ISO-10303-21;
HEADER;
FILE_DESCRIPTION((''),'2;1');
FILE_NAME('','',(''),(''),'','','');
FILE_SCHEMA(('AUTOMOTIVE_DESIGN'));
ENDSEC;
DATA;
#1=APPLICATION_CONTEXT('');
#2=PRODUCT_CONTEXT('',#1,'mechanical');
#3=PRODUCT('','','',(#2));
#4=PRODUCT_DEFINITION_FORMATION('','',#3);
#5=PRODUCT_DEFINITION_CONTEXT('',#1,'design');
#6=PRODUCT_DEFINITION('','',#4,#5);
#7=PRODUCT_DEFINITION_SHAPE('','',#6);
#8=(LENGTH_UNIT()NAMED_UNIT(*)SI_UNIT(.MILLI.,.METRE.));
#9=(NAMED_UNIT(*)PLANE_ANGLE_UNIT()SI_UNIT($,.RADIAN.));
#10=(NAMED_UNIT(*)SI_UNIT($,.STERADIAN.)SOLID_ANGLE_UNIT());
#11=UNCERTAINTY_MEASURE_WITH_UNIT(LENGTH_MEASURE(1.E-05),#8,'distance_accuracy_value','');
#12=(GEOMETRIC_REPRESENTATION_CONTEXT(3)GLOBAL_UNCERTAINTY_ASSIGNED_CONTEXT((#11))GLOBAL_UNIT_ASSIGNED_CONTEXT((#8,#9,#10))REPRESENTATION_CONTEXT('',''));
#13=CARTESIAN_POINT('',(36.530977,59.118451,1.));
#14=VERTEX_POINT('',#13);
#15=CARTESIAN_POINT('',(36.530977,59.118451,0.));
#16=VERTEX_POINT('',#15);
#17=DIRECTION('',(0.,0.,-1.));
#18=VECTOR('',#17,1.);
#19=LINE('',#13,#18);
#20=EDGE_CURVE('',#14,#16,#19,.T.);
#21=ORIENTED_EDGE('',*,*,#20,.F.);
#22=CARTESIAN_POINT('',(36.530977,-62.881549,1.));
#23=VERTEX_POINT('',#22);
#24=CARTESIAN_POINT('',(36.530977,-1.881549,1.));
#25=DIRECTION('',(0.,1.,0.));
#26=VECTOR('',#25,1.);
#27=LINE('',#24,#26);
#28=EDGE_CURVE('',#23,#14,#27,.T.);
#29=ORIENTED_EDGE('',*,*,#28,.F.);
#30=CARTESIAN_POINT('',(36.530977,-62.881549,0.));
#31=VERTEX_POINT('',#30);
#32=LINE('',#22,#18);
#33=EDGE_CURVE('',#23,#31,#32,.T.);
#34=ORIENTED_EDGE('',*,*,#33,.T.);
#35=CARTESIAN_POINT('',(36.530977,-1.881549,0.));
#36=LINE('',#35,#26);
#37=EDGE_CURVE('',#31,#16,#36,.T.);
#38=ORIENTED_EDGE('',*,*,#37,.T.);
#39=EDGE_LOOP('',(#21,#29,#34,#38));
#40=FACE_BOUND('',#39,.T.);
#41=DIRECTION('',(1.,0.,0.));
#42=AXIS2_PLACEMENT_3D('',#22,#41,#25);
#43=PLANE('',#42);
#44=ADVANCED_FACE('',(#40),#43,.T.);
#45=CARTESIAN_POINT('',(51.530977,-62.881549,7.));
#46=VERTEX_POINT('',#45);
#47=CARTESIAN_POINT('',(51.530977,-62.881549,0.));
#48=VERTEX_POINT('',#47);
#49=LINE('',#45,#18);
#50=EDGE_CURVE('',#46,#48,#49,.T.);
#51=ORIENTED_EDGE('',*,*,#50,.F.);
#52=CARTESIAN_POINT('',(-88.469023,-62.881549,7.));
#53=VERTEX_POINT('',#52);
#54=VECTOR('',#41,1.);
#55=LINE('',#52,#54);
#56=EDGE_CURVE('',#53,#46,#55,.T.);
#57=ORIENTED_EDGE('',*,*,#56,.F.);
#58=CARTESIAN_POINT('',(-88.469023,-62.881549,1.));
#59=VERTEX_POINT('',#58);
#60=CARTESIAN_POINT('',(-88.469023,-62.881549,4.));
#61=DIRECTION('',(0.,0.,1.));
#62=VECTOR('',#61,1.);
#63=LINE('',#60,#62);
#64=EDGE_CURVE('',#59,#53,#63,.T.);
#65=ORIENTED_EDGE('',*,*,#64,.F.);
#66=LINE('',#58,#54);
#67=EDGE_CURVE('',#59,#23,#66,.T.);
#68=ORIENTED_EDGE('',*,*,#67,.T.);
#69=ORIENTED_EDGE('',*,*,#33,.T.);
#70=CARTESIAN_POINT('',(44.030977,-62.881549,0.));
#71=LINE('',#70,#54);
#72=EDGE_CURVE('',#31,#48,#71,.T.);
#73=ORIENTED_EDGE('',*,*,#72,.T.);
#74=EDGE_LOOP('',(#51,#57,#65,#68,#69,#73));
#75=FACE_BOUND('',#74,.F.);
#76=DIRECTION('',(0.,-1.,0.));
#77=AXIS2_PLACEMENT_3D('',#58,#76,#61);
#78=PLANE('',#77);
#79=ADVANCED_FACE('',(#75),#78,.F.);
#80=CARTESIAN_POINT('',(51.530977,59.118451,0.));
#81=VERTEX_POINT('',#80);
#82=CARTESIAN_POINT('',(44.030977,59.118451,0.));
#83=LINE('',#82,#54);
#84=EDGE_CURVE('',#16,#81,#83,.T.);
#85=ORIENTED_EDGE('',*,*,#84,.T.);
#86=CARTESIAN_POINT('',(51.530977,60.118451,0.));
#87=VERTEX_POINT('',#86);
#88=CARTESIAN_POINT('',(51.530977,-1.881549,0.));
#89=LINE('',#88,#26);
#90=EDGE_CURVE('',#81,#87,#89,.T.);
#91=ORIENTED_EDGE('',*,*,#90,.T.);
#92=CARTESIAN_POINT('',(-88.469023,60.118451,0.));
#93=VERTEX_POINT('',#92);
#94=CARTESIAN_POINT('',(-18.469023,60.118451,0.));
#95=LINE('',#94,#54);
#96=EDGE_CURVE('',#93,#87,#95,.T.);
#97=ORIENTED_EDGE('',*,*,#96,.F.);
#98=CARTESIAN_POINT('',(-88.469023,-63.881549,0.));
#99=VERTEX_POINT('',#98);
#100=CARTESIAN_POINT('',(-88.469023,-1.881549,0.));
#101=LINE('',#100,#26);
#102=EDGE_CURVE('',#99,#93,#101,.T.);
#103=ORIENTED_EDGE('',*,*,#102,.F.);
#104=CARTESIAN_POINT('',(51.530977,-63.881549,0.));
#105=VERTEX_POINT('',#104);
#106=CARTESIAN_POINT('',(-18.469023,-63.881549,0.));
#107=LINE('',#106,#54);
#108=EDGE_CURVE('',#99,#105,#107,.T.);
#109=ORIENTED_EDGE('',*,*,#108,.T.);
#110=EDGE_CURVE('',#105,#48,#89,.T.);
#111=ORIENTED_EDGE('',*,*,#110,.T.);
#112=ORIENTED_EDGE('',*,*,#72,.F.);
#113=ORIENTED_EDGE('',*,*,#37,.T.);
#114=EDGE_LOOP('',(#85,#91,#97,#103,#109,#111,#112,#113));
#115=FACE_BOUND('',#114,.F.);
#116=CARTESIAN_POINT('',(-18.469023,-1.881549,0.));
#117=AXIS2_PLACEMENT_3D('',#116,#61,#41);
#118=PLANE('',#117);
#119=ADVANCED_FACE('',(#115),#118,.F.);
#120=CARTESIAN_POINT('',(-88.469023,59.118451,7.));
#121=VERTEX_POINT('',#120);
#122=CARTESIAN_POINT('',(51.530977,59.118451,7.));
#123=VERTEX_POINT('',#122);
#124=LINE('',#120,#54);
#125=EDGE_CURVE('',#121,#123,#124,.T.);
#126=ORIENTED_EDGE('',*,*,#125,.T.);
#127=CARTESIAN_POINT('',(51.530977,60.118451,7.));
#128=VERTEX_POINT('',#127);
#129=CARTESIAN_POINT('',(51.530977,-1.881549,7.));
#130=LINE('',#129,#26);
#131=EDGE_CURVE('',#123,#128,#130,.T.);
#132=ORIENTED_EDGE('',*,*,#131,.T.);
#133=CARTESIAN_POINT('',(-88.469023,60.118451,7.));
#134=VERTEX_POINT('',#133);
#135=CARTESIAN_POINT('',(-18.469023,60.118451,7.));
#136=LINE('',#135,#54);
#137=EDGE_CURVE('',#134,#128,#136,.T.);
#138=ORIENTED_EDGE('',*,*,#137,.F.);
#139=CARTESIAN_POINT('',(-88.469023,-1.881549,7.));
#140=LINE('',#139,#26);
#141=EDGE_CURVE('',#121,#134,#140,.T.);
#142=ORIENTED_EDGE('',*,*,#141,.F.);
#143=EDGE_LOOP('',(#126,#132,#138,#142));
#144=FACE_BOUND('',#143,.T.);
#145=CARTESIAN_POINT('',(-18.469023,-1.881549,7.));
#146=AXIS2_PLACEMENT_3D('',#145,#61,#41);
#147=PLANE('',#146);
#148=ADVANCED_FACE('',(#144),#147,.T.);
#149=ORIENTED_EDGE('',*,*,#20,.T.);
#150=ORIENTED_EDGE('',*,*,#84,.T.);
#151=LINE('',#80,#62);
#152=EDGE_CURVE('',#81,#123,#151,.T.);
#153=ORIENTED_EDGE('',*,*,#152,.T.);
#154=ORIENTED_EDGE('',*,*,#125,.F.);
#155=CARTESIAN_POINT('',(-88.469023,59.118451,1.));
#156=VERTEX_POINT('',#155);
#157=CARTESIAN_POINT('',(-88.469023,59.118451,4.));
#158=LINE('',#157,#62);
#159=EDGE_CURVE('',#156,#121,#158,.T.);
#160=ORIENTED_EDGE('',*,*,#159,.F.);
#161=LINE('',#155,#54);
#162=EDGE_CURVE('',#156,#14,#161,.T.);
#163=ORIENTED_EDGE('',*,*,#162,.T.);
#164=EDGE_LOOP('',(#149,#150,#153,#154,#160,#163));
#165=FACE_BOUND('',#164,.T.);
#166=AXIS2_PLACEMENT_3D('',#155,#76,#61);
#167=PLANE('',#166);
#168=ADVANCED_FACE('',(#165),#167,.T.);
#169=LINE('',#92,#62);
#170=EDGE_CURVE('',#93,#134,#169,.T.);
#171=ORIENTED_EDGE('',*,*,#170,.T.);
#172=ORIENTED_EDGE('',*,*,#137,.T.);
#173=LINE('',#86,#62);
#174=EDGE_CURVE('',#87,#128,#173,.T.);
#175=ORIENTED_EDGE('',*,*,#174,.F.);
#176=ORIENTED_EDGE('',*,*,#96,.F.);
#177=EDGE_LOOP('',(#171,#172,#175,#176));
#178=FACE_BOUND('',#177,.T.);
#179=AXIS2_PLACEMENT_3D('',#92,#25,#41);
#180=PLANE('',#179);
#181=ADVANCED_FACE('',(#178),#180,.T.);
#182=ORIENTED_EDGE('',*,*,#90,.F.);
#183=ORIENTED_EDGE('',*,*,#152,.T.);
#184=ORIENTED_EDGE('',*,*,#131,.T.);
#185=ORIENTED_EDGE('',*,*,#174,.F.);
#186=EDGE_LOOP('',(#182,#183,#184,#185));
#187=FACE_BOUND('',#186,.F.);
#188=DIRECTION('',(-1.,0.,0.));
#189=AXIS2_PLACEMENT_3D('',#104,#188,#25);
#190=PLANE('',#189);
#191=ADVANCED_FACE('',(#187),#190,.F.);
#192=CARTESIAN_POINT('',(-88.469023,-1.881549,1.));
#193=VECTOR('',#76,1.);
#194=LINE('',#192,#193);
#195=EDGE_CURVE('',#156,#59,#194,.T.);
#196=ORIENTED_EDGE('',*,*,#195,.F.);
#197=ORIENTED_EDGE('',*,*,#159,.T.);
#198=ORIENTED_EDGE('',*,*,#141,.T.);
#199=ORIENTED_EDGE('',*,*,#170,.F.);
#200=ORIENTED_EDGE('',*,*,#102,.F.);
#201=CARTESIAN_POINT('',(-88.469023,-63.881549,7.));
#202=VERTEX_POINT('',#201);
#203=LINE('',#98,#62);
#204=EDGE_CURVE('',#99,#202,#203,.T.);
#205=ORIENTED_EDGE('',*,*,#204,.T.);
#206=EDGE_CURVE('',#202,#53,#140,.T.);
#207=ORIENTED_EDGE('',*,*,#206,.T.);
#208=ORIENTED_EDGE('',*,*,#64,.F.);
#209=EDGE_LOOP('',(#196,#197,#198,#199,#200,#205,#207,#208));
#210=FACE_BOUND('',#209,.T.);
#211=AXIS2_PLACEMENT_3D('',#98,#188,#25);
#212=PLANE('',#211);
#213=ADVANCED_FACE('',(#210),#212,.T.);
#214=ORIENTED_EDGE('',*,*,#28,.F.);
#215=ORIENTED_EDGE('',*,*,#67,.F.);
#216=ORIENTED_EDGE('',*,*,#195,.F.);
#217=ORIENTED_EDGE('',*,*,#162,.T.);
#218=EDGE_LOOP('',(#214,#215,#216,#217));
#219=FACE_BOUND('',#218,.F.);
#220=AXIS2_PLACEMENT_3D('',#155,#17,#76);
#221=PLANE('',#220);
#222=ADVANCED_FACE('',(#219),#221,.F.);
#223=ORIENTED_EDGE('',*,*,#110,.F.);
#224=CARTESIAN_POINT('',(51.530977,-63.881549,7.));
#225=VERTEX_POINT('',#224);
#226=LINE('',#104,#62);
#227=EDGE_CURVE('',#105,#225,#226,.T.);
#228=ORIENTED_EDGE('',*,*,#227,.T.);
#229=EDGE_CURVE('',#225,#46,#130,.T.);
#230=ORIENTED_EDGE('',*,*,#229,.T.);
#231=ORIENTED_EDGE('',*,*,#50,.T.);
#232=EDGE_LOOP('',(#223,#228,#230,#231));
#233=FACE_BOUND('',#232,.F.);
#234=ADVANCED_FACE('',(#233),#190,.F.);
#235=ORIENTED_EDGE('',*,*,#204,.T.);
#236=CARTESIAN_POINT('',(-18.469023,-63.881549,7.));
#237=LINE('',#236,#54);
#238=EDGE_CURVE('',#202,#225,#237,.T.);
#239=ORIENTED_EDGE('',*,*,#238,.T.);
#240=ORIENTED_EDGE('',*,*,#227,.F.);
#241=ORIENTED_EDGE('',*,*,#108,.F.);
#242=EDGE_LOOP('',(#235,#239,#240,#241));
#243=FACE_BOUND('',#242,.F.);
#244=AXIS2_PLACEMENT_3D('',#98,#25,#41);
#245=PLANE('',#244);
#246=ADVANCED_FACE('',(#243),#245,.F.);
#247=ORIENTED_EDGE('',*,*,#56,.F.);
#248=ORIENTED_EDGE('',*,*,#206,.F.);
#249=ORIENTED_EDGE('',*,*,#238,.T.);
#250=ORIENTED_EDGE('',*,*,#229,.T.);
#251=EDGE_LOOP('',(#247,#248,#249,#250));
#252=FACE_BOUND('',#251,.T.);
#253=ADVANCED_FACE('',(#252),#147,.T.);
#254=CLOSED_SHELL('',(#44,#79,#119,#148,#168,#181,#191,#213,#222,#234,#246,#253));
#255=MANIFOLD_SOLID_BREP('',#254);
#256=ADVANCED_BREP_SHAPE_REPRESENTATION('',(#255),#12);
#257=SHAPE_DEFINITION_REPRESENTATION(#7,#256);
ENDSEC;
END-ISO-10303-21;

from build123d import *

# Parameters (mm, degrees)
F0_W     = 140
F0_H     = 124
F1_DEPTH = 7
F2_T     = -1
F3_W     = 122
F3_H     = 6
F4_DEPTH = 1
F5_W     = 122
F5_H     = 6
F6_DEPTH = 1
F7_W     = 15
F7_H     = 122
F8_DEPTH = 1


with BuildPart() as f1:
    # F0 (on Top) → F1 (new body)
    with BuildSketch(Plane.XY):
        with Locations((-18.4690234582, -1.8815491349)):
            Rectangle(F0_W, F0_H)
    extrude(amount=F1_DEPTH)

    # F2
    f2_openings = [f1.faces().sort_by_distance(p)[0] for p in [
        (-18.469023, -1.881549, 7),
    ]]
    offset(amount=F2_T, openings=f2_openings)

    # F3 (on face) → F4 (cut)
    with BuildSketch(Plane(origin=(-88.4690234582, 0, 0), x_dir=(0, -1, 0), z_dir=(-1, 0, 0))):
        with Locations((1.8815491349, 4)):
            Rectangle(F3_W, F3_H)
    extrude(amount=-F4_DEPTH, mode=Mode.SUBTRACT)

    # F5 (on face) → F6 (cut)
    with BuildSketch(Plane.YZ.offset(51.5309765418)):
        with Locations((-1.8815491349, 4)):
            Rectangle(F5_W, F5_H)
    extrude(amount=-F6_DEPTH, mode=Mode.SUBTRACT)

    # F7 (on face) → F8 (cut)
    with BuildSketch(Plane.XY.offset(1)):
        with Locations((44.0309765418, -1.8815491349)):
            Rectangle(F7_W, F7_H)
    extrude(amount=-F8_DEPTH, mode=Mode.SUBTRACT)


solid = f1.part
